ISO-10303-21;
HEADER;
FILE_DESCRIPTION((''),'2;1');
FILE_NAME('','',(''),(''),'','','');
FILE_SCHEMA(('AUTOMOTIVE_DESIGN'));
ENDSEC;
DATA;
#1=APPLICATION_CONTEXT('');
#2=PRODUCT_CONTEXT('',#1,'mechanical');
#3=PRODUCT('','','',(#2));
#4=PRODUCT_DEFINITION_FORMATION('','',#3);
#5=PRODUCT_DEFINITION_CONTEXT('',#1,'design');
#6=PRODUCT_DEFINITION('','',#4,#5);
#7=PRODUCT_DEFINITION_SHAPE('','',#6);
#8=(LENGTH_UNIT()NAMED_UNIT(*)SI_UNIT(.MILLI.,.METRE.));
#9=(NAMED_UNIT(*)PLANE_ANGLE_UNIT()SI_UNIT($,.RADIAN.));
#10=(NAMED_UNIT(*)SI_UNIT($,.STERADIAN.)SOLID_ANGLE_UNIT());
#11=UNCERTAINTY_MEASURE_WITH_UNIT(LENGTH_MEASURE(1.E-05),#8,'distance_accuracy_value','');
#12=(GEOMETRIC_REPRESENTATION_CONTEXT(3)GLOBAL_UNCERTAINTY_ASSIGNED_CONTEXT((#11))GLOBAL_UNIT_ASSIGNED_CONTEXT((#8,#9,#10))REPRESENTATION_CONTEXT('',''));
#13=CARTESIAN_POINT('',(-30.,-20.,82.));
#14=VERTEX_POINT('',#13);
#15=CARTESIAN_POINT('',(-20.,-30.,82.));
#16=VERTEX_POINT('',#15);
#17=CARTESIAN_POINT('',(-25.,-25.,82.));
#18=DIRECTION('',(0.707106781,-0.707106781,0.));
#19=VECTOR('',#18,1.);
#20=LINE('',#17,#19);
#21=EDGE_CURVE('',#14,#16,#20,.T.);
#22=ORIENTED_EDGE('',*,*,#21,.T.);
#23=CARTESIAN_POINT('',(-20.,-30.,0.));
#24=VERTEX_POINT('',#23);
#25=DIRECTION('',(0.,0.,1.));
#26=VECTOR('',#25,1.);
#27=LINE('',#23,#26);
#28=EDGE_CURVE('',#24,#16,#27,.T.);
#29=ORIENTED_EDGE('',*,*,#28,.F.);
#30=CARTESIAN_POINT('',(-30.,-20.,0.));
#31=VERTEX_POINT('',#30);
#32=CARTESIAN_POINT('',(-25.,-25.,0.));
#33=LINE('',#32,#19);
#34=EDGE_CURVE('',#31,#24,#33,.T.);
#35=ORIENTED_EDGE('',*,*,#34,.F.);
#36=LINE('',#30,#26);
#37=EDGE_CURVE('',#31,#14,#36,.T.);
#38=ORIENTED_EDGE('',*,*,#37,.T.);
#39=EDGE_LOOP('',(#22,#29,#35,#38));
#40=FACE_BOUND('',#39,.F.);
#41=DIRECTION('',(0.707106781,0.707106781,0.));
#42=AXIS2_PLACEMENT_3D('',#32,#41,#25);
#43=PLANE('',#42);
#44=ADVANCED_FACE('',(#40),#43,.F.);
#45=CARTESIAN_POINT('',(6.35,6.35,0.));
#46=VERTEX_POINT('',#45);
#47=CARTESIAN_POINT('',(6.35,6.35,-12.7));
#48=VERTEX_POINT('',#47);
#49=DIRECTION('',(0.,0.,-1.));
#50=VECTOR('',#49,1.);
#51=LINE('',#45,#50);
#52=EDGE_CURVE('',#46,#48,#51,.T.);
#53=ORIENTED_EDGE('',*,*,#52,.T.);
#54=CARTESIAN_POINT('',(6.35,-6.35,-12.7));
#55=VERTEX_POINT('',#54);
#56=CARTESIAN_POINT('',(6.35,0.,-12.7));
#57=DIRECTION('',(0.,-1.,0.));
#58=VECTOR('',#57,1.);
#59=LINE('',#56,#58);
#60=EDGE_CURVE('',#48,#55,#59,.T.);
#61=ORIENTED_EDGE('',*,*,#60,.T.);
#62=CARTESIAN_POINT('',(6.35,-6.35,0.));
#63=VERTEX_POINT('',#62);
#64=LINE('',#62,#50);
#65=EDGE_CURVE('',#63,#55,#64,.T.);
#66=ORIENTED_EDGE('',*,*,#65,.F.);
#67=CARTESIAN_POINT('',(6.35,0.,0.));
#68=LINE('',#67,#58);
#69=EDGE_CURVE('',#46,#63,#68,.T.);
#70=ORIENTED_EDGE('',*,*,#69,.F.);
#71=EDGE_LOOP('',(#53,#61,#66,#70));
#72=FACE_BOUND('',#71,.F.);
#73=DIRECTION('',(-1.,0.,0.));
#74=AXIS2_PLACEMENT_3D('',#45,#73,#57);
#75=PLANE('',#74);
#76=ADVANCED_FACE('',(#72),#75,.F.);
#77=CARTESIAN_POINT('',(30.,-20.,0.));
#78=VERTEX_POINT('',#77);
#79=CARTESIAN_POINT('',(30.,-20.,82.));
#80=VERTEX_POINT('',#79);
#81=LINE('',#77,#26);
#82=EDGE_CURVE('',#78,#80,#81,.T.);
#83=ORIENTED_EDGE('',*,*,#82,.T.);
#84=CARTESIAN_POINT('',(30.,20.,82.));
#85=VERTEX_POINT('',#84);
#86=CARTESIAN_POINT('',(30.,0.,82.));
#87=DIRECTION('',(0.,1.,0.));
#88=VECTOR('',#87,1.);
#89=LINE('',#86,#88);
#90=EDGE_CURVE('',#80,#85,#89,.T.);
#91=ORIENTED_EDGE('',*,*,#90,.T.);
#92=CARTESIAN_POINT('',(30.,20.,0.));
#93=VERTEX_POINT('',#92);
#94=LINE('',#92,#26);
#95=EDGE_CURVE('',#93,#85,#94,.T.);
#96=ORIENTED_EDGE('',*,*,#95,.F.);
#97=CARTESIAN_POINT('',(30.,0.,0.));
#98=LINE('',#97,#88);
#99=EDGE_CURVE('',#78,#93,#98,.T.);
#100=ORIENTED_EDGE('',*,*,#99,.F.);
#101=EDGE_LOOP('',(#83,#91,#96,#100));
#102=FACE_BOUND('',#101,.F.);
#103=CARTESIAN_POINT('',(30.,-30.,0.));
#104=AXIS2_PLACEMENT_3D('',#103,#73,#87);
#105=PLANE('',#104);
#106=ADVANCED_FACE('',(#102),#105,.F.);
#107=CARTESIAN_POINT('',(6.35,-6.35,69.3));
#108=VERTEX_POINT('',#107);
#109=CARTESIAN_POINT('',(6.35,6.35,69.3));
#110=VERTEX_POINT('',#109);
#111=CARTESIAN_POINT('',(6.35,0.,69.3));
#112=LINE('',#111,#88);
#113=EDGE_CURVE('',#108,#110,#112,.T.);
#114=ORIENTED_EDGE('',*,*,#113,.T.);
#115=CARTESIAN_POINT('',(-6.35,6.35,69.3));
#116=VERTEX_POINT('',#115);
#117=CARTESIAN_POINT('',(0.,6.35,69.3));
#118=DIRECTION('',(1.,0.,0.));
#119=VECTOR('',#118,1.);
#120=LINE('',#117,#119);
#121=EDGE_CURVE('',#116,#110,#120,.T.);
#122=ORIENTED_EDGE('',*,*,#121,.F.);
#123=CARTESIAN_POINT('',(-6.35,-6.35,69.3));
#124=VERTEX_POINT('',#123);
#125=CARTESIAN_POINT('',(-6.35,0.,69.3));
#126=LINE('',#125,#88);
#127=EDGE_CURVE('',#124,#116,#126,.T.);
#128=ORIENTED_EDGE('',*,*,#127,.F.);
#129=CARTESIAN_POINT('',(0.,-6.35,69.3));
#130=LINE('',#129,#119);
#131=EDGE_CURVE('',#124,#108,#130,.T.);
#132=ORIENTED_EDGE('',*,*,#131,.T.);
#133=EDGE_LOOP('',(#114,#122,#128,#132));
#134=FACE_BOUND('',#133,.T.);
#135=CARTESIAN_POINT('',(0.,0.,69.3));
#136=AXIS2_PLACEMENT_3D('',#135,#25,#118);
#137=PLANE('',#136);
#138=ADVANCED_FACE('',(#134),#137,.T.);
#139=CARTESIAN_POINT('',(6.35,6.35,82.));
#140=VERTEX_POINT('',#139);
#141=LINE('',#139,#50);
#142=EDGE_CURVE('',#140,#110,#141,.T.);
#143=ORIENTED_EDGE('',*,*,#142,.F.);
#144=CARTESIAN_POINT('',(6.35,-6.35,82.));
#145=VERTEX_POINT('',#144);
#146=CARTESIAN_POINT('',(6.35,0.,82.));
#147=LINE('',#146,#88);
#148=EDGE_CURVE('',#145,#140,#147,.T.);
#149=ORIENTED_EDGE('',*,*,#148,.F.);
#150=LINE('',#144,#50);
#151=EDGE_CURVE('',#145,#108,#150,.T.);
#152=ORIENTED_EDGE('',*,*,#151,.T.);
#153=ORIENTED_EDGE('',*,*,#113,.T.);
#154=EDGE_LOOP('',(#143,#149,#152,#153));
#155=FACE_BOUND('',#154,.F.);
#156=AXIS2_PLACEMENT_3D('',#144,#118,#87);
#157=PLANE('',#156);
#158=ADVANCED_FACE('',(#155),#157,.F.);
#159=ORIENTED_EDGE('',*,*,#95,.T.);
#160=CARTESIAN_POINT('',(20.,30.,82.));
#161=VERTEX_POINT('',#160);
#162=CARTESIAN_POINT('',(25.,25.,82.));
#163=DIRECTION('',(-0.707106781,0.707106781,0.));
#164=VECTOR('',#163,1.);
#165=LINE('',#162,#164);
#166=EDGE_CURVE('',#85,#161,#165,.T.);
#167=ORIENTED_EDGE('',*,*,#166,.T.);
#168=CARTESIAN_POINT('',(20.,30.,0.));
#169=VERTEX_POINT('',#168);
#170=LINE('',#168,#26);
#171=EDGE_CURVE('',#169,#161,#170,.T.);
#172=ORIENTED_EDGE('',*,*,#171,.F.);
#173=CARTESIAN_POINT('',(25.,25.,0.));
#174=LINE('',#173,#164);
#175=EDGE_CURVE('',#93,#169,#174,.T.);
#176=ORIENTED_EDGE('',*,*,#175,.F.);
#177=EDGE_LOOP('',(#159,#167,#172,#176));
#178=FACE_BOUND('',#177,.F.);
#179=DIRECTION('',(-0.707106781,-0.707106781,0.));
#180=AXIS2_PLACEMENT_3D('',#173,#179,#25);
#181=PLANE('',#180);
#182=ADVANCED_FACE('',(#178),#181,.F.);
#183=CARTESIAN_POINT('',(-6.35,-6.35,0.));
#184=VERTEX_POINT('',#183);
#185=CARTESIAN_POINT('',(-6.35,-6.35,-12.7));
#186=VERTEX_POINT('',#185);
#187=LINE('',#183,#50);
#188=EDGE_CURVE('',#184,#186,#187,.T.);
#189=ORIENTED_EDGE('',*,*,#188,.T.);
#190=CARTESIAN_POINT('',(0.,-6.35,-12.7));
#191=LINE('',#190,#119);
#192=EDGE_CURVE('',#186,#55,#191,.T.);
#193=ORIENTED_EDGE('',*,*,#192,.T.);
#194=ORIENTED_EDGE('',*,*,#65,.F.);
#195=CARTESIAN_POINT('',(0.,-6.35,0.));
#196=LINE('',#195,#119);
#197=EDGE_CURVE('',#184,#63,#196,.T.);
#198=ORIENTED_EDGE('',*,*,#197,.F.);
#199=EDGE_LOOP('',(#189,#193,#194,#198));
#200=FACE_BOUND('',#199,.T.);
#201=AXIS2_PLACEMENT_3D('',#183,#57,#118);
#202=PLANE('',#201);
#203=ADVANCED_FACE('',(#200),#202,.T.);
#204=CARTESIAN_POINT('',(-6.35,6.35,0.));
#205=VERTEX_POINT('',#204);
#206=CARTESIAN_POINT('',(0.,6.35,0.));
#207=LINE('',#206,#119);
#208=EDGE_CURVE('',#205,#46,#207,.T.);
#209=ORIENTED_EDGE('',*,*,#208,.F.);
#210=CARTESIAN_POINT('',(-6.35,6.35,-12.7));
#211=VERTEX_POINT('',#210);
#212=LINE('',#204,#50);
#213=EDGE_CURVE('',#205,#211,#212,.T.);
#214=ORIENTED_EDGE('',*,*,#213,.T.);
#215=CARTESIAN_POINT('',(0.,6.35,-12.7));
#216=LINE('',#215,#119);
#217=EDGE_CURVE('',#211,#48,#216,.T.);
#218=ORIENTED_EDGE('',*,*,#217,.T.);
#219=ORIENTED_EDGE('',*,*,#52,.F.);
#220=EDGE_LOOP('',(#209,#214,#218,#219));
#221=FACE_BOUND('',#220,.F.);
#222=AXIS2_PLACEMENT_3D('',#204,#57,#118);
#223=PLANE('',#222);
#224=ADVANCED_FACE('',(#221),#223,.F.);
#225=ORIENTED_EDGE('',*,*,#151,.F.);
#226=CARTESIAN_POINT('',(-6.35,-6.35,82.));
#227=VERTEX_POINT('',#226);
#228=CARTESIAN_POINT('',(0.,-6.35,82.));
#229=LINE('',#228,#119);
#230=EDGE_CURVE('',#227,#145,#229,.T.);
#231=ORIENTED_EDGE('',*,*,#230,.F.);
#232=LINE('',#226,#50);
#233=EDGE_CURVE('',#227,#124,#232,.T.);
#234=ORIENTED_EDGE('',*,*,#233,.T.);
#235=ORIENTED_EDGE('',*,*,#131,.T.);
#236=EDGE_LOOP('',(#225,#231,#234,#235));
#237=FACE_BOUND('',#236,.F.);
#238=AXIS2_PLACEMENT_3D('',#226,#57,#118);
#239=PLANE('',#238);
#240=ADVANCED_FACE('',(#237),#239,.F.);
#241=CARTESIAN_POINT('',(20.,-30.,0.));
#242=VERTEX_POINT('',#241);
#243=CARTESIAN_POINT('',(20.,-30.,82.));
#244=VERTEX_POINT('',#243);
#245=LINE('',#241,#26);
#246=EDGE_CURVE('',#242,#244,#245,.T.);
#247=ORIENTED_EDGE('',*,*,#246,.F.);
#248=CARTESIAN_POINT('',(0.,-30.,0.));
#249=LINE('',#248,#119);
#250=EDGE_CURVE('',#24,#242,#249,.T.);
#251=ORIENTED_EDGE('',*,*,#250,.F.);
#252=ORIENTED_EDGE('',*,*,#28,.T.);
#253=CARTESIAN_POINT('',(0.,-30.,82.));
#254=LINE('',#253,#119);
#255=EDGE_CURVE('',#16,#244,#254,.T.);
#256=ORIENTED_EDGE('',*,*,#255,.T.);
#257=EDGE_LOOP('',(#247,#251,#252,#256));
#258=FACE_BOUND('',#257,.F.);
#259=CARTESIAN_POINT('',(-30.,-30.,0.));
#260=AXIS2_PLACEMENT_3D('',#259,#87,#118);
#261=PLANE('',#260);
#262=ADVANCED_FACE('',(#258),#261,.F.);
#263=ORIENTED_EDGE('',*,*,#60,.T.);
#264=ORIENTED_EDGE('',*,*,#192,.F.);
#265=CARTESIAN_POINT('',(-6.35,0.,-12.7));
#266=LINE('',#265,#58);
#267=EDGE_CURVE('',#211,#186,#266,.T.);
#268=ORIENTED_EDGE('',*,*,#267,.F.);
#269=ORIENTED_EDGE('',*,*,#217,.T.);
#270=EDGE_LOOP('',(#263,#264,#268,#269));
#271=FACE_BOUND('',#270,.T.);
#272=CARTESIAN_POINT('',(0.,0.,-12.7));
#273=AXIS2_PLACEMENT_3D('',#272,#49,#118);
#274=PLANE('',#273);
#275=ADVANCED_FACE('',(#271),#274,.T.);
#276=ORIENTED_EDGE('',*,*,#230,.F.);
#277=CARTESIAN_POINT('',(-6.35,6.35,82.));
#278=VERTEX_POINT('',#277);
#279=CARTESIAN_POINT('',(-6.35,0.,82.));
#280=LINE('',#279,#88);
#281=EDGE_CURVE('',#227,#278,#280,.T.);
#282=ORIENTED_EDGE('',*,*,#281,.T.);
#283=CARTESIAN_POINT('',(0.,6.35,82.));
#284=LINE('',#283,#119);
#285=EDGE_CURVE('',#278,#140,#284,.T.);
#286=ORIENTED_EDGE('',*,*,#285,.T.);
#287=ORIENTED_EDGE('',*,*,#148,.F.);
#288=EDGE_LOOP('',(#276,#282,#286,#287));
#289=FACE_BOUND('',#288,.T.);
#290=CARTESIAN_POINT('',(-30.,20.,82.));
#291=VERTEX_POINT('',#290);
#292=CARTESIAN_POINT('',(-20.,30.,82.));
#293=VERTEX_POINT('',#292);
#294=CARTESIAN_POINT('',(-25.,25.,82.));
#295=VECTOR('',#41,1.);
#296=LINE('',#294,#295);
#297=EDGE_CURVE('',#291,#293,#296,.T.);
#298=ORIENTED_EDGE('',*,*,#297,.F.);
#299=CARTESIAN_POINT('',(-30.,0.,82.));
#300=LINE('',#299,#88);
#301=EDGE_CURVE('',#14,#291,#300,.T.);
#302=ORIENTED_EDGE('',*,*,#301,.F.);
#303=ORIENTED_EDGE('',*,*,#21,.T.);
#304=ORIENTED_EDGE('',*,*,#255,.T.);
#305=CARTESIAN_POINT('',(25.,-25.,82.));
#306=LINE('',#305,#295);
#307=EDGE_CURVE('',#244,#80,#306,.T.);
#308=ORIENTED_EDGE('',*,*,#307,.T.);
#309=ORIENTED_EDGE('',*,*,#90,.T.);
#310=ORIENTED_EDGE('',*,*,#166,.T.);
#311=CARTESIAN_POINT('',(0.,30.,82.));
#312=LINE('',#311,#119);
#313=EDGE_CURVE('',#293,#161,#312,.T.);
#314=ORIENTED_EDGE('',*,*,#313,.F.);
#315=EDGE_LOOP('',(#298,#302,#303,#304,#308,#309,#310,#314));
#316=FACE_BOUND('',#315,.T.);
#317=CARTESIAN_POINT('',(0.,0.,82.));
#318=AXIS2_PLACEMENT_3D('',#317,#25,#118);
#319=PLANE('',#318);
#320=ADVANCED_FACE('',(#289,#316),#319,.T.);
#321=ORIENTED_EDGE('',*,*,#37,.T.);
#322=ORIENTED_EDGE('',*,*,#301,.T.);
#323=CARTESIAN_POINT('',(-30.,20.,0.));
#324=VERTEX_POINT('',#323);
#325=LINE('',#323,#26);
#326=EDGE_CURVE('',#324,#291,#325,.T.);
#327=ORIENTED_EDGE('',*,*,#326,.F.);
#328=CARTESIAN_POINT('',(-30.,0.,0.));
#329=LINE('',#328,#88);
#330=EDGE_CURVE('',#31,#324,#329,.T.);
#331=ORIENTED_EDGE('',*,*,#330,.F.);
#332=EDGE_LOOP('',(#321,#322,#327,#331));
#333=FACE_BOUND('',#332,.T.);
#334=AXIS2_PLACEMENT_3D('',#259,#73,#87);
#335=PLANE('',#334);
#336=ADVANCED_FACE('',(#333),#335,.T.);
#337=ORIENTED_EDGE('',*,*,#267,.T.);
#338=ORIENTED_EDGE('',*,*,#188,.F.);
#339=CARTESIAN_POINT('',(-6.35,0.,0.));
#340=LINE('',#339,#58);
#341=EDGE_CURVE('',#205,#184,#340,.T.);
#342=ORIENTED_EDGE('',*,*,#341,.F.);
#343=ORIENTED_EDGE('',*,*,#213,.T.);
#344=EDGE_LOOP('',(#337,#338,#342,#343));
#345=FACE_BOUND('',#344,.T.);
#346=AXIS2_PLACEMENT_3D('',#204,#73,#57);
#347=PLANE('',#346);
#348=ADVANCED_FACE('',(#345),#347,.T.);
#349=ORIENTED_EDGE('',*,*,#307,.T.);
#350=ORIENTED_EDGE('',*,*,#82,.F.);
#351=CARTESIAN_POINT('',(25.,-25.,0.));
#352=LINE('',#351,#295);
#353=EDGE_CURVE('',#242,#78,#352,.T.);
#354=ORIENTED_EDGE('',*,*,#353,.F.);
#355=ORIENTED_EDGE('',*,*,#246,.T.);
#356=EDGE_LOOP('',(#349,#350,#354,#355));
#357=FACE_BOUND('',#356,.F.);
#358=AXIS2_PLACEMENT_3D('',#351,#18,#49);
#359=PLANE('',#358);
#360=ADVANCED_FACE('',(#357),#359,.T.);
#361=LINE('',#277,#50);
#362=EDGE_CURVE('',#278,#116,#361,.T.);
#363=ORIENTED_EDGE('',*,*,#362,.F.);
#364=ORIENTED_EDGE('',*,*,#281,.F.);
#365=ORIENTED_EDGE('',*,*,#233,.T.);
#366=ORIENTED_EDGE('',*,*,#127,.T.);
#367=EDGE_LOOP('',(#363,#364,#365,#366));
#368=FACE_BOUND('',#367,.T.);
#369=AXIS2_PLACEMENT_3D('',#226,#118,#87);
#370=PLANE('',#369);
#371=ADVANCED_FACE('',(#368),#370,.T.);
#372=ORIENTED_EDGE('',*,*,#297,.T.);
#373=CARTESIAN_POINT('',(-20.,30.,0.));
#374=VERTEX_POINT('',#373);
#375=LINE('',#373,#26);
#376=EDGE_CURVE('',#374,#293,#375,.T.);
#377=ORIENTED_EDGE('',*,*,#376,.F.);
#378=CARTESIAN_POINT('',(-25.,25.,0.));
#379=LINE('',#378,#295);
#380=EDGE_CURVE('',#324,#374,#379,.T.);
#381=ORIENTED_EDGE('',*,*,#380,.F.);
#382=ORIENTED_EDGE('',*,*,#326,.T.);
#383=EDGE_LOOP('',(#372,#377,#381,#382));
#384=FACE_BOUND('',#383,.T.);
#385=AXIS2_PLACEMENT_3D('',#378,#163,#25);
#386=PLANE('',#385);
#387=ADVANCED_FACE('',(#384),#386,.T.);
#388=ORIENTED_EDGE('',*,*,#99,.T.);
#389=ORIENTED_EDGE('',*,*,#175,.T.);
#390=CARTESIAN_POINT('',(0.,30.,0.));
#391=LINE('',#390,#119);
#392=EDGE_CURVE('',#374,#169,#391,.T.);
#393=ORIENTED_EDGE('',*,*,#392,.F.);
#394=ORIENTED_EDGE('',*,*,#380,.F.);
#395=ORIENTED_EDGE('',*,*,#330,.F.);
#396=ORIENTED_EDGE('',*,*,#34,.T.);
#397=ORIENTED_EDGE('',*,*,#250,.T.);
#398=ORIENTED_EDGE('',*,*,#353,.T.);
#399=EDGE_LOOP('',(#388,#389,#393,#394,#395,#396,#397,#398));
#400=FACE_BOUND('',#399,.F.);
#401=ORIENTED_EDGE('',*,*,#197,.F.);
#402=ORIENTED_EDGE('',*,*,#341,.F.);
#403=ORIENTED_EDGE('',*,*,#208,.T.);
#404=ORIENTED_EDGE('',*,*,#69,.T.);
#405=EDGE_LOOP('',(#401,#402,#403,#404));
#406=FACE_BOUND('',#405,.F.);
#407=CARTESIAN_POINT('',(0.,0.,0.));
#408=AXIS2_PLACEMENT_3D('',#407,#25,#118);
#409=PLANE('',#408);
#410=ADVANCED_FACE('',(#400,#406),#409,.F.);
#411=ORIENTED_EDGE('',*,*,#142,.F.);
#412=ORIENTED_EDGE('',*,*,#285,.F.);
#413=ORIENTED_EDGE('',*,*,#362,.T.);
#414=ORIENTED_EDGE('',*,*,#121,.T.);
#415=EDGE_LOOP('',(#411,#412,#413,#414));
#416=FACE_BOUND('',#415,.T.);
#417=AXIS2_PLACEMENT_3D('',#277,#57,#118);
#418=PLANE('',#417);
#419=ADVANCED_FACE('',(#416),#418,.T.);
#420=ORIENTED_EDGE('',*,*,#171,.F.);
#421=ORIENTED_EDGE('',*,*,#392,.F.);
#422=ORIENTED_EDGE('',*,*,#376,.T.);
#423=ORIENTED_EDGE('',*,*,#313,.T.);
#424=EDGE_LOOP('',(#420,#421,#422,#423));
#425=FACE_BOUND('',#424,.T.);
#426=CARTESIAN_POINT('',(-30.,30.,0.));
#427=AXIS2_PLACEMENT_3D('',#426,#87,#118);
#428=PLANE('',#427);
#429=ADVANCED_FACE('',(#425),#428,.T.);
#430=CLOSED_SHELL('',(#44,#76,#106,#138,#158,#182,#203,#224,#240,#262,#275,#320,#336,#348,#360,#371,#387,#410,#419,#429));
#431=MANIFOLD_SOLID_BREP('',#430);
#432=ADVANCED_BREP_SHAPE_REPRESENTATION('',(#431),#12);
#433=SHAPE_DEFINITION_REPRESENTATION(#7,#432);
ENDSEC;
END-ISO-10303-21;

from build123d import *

# Parameters (mm, degrees)
F0_W     = 60
F0_H     = 60
F1_DEPTH = 82
F2_SIZE  = 10
F3_W     = 12.7
F3_H     = 12.7
F4_DEPTH = 12.7
F5_W     = 12.7
F5_H     = 12.7
F6_DEPTH = 12.7


with BuildPart() as f1:
    # F0 (on Top) → F1 (new body)
    with BuildSketch(Plane.XY):
        Rectangle(F0_W, F0_H)
    extrude(amount=F1_DEPTH)

    # F2
    f2_edges = [f1.edges().sort_by_distance(p)[0] for p in [
        (30, -30, 41),
        (30, 30, 41),
        (-30, -30, 41),
        (-30, 30, 41),
    ]]
    chamfer(f2_edges, length=F2_SIZE)

    # F3 (on face) → F4 (cut)
    with BuildSketch(Plane.XY.offset(82)):
        Rectangle(F3_W, F3_H)
    extrude(amount=-F4_DEPTH, mode=Mode.SUBTRACT)

    # F5 (on face) → F6 (join)
    with BuildSketch(Plane(origin=(0, 0, 0), x_dir=(1, 0, 0), z_dir=(0, 0, -1))):
        Rectangle(F5_W, F5_H)
    extrude(amount=F6_DEPTH)


solid = f1.part
